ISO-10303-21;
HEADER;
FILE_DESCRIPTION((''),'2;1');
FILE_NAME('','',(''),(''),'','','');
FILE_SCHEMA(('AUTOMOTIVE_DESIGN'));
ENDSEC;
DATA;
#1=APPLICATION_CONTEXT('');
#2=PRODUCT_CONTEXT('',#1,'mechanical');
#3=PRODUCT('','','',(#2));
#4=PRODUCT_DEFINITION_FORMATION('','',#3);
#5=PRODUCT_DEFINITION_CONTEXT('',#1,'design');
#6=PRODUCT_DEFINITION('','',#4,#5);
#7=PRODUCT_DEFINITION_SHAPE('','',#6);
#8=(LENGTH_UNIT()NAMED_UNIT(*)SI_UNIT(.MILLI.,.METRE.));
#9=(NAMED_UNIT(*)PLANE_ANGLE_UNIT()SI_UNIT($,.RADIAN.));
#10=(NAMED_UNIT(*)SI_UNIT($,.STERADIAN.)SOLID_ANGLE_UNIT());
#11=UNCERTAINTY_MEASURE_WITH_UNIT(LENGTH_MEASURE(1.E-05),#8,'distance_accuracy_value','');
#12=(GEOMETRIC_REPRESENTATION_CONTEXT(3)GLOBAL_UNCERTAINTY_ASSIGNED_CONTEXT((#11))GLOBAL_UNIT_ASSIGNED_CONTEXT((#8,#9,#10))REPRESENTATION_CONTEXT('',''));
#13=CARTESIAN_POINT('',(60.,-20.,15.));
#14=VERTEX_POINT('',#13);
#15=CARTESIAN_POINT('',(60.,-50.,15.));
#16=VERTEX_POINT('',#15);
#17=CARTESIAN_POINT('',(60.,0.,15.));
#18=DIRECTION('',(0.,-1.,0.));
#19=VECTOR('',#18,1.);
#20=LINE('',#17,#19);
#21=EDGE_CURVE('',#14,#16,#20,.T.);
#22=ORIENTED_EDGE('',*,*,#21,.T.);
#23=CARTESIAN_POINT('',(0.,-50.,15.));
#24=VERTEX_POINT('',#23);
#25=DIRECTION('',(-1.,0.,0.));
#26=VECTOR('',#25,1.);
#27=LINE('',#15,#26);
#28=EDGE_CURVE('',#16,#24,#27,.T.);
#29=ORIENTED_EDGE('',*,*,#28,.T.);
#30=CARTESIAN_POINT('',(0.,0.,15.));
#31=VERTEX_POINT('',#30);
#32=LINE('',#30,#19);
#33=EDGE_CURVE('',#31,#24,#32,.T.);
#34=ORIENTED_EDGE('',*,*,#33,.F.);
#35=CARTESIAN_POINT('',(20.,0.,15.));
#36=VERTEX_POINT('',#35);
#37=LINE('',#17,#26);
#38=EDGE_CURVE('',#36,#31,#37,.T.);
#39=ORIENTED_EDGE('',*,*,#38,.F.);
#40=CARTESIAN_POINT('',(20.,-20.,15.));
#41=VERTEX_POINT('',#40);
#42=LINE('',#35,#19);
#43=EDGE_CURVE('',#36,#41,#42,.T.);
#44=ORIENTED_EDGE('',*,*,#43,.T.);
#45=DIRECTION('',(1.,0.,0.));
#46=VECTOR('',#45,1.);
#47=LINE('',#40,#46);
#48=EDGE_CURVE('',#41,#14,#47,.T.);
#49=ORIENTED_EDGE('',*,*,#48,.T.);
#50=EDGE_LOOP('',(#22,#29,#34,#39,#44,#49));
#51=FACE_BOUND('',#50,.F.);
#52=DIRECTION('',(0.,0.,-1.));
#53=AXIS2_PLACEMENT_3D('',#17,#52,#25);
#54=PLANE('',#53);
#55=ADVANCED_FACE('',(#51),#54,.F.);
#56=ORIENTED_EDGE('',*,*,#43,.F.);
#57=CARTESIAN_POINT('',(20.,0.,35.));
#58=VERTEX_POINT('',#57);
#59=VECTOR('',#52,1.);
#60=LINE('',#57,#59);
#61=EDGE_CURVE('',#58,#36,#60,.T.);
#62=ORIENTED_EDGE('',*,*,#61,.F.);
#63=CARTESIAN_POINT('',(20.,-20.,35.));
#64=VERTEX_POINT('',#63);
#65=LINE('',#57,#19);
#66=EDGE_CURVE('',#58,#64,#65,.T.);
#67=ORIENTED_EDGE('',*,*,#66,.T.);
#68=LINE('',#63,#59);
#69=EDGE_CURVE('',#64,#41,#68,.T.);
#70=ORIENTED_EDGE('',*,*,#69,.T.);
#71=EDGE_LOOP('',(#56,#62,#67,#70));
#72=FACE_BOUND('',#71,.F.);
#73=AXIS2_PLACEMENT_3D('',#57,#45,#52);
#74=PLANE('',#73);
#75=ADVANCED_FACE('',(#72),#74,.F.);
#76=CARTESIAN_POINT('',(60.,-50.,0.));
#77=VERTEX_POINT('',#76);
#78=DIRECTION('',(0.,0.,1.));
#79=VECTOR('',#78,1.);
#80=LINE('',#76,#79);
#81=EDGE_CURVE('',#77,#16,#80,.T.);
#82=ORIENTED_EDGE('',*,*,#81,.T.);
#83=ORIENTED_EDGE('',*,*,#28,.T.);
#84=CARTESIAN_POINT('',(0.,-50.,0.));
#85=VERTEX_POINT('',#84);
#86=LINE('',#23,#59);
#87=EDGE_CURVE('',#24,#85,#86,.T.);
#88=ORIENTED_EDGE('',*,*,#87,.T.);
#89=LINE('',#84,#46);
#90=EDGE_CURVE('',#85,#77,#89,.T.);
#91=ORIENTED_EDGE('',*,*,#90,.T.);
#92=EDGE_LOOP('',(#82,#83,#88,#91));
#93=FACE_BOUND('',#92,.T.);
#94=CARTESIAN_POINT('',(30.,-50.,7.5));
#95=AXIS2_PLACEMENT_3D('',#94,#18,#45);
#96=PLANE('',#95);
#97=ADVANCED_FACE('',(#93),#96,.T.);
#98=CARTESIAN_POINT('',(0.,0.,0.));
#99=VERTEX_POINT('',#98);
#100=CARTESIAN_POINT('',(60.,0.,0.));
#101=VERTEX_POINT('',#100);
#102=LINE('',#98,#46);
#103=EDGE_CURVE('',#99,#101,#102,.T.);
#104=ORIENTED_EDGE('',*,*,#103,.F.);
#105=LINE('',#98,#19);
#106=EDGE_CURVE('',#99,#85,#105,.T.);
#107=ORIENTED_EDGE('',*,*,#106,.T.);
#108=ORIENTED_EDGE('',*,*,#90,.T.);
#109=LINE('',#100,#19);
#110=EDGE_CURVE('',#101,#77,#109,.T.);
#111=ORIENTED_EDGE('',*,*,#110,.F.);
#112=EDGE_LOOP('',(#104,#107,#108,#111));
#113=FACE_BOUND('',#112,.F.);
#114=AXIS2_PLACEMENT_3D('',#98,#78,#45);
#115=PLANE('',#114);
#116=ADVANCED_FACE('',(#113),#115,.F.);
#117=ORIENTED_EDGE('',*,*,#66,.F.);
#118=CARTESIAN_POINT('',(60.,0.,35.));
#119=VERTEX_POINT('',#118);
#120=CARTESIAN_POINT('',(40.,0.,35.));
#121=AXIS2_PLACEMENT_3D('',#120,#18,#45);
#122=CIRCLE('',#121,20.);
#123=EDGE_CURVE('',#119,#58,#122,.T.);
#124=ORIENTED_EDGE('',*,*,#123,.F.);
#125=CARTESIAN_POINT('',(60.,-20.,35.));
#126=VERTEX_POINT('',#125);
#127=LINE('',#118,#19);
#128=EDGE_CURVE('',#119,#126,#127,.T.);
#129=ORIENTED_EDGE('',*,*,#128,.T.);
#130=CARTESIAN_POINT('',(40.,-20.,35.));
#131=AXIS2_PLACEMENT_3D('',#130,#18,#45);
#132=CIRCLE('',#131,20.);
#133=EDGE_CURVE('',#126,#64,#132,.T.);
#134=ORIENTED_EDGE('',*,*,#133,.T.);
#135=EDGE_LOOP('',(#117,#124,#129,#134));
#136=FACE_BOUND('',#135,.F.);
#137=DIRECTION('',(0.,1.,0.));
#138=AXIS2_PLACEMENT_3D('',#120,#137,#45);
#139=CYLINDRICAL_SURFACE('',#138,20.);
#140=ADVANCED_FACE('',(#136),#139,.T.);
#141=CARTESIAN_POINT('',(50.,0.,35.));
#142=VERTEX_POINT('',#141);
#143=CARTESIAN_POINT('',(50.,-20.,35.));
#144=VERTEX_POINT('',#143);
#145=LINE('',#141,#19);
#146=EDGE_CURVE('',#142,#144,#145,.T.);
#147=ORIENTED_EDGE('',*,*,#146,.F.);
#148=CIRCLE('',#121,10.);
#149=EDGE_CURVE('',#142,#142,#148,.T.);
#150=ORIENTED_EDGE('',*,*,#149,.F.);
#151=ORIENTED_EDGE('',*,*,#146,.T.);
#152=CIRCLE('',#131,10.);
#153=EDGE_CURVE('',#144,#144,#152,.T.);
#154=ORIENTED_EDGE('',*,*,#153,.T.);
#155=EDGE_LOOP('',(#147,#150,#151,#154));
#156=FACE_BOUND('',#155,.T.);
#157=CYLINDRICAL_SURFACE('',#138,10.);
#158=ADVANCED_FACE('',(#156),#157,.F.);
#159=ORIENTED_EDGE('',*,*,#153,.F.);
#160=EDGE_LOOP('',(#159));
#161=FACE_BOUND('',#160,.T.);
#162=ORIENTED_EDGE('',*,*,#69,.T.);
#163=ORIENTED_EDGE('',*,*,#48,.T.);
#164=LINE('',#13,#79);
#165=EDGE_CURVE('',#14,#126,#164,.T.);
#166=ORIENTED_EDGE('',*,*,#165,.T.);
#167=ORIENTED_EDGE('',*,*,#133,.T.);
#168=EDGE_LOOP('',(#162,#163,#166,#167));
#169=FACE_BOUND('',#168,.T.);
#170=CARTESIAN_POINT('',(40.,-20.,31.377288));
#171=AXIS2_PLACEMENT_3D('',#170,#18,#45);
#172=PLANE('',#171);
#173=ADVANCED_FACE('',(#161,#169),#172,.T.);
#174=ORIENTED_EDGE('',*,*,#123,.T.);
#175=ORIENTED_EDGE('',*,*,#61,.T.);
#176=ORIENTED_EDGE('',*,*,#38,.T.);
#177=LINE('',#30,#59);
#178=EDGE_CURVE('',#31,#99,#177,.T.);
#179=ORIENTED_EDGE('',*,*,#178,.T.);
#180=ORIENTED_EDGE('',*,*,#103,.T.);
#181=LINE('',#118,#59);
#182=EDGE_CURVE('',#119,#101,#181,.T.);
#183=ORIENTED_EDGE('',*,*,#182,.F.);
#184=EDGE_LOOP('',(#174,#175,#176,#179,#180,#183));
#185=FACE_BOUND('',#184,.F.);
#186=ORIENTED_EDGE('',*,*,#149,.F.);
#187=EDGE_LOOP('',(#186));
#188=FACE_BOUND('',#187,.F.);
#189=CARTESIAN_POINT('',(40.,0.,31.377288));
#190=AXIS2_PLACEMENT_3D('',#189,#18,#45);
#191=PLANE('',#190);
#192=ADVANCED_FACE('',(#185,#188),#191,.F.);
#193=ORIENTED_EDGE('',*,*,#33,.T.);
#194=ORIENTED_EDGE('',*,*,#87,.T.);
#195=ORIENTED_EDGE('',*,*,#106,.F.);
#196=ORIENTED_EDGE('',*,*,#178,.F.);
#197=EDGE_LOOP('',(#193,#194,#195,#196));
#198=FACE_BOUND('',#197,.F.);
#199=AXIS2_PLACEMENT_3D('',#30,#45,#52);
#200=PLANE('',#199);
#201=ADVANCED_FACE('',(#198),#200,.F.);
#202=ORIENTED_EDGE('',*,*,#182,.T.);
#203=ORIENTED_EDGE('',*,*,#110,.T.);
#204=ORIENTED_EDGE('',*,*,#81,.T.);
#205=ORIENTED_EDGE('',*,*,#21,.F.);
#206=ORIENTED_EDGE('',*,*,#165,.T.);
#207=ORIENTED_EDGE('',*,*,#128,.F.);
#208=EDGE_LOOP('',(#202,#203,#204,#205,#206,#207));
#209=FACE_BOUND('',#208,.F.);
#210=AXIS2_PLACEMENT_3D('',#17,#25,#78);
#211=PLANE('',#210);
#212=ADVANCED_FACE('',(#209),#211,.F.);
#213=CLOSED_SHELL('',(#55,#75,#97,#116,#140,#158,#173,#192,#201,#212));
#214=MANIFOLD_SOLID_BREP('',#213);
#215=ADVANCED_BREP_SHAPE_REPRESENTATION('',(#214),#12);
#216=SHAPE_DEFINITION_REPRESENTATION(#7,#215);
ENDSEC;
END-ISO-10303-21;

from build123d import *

# Parameters (mm, degrees)
F1_DEPTH = 50
F0_R     = 10
F2_DEPTH = 20


with BuildPart() as f1:
    # F0 (on Front) → F1 (new body)
    with BuildSketch(Plane.XZ):
        Polygon((0, 15), (0, 0), (60, 0), (60, 15), (20, 15), align=None)
    extrude(amount=F1_DEPTH)

    # F0 (on Front) → F2 (join)
    with BuildSketch(Plane.XZ):
        with BuildLine():
            Line((20, 15), (60, 15))
            Line((60, 15), (60, 35))
            ThreePointArc((60, 35), (40, 55), (20, 35))
            Line((20, 35), (20, 15))
        make_face()
        with Locations((40, 35)):
            Circle(F0_R, mode=Mode.SUBTRACT)
    extrude(amount=F2_DEPTH)


solid = f1.part
